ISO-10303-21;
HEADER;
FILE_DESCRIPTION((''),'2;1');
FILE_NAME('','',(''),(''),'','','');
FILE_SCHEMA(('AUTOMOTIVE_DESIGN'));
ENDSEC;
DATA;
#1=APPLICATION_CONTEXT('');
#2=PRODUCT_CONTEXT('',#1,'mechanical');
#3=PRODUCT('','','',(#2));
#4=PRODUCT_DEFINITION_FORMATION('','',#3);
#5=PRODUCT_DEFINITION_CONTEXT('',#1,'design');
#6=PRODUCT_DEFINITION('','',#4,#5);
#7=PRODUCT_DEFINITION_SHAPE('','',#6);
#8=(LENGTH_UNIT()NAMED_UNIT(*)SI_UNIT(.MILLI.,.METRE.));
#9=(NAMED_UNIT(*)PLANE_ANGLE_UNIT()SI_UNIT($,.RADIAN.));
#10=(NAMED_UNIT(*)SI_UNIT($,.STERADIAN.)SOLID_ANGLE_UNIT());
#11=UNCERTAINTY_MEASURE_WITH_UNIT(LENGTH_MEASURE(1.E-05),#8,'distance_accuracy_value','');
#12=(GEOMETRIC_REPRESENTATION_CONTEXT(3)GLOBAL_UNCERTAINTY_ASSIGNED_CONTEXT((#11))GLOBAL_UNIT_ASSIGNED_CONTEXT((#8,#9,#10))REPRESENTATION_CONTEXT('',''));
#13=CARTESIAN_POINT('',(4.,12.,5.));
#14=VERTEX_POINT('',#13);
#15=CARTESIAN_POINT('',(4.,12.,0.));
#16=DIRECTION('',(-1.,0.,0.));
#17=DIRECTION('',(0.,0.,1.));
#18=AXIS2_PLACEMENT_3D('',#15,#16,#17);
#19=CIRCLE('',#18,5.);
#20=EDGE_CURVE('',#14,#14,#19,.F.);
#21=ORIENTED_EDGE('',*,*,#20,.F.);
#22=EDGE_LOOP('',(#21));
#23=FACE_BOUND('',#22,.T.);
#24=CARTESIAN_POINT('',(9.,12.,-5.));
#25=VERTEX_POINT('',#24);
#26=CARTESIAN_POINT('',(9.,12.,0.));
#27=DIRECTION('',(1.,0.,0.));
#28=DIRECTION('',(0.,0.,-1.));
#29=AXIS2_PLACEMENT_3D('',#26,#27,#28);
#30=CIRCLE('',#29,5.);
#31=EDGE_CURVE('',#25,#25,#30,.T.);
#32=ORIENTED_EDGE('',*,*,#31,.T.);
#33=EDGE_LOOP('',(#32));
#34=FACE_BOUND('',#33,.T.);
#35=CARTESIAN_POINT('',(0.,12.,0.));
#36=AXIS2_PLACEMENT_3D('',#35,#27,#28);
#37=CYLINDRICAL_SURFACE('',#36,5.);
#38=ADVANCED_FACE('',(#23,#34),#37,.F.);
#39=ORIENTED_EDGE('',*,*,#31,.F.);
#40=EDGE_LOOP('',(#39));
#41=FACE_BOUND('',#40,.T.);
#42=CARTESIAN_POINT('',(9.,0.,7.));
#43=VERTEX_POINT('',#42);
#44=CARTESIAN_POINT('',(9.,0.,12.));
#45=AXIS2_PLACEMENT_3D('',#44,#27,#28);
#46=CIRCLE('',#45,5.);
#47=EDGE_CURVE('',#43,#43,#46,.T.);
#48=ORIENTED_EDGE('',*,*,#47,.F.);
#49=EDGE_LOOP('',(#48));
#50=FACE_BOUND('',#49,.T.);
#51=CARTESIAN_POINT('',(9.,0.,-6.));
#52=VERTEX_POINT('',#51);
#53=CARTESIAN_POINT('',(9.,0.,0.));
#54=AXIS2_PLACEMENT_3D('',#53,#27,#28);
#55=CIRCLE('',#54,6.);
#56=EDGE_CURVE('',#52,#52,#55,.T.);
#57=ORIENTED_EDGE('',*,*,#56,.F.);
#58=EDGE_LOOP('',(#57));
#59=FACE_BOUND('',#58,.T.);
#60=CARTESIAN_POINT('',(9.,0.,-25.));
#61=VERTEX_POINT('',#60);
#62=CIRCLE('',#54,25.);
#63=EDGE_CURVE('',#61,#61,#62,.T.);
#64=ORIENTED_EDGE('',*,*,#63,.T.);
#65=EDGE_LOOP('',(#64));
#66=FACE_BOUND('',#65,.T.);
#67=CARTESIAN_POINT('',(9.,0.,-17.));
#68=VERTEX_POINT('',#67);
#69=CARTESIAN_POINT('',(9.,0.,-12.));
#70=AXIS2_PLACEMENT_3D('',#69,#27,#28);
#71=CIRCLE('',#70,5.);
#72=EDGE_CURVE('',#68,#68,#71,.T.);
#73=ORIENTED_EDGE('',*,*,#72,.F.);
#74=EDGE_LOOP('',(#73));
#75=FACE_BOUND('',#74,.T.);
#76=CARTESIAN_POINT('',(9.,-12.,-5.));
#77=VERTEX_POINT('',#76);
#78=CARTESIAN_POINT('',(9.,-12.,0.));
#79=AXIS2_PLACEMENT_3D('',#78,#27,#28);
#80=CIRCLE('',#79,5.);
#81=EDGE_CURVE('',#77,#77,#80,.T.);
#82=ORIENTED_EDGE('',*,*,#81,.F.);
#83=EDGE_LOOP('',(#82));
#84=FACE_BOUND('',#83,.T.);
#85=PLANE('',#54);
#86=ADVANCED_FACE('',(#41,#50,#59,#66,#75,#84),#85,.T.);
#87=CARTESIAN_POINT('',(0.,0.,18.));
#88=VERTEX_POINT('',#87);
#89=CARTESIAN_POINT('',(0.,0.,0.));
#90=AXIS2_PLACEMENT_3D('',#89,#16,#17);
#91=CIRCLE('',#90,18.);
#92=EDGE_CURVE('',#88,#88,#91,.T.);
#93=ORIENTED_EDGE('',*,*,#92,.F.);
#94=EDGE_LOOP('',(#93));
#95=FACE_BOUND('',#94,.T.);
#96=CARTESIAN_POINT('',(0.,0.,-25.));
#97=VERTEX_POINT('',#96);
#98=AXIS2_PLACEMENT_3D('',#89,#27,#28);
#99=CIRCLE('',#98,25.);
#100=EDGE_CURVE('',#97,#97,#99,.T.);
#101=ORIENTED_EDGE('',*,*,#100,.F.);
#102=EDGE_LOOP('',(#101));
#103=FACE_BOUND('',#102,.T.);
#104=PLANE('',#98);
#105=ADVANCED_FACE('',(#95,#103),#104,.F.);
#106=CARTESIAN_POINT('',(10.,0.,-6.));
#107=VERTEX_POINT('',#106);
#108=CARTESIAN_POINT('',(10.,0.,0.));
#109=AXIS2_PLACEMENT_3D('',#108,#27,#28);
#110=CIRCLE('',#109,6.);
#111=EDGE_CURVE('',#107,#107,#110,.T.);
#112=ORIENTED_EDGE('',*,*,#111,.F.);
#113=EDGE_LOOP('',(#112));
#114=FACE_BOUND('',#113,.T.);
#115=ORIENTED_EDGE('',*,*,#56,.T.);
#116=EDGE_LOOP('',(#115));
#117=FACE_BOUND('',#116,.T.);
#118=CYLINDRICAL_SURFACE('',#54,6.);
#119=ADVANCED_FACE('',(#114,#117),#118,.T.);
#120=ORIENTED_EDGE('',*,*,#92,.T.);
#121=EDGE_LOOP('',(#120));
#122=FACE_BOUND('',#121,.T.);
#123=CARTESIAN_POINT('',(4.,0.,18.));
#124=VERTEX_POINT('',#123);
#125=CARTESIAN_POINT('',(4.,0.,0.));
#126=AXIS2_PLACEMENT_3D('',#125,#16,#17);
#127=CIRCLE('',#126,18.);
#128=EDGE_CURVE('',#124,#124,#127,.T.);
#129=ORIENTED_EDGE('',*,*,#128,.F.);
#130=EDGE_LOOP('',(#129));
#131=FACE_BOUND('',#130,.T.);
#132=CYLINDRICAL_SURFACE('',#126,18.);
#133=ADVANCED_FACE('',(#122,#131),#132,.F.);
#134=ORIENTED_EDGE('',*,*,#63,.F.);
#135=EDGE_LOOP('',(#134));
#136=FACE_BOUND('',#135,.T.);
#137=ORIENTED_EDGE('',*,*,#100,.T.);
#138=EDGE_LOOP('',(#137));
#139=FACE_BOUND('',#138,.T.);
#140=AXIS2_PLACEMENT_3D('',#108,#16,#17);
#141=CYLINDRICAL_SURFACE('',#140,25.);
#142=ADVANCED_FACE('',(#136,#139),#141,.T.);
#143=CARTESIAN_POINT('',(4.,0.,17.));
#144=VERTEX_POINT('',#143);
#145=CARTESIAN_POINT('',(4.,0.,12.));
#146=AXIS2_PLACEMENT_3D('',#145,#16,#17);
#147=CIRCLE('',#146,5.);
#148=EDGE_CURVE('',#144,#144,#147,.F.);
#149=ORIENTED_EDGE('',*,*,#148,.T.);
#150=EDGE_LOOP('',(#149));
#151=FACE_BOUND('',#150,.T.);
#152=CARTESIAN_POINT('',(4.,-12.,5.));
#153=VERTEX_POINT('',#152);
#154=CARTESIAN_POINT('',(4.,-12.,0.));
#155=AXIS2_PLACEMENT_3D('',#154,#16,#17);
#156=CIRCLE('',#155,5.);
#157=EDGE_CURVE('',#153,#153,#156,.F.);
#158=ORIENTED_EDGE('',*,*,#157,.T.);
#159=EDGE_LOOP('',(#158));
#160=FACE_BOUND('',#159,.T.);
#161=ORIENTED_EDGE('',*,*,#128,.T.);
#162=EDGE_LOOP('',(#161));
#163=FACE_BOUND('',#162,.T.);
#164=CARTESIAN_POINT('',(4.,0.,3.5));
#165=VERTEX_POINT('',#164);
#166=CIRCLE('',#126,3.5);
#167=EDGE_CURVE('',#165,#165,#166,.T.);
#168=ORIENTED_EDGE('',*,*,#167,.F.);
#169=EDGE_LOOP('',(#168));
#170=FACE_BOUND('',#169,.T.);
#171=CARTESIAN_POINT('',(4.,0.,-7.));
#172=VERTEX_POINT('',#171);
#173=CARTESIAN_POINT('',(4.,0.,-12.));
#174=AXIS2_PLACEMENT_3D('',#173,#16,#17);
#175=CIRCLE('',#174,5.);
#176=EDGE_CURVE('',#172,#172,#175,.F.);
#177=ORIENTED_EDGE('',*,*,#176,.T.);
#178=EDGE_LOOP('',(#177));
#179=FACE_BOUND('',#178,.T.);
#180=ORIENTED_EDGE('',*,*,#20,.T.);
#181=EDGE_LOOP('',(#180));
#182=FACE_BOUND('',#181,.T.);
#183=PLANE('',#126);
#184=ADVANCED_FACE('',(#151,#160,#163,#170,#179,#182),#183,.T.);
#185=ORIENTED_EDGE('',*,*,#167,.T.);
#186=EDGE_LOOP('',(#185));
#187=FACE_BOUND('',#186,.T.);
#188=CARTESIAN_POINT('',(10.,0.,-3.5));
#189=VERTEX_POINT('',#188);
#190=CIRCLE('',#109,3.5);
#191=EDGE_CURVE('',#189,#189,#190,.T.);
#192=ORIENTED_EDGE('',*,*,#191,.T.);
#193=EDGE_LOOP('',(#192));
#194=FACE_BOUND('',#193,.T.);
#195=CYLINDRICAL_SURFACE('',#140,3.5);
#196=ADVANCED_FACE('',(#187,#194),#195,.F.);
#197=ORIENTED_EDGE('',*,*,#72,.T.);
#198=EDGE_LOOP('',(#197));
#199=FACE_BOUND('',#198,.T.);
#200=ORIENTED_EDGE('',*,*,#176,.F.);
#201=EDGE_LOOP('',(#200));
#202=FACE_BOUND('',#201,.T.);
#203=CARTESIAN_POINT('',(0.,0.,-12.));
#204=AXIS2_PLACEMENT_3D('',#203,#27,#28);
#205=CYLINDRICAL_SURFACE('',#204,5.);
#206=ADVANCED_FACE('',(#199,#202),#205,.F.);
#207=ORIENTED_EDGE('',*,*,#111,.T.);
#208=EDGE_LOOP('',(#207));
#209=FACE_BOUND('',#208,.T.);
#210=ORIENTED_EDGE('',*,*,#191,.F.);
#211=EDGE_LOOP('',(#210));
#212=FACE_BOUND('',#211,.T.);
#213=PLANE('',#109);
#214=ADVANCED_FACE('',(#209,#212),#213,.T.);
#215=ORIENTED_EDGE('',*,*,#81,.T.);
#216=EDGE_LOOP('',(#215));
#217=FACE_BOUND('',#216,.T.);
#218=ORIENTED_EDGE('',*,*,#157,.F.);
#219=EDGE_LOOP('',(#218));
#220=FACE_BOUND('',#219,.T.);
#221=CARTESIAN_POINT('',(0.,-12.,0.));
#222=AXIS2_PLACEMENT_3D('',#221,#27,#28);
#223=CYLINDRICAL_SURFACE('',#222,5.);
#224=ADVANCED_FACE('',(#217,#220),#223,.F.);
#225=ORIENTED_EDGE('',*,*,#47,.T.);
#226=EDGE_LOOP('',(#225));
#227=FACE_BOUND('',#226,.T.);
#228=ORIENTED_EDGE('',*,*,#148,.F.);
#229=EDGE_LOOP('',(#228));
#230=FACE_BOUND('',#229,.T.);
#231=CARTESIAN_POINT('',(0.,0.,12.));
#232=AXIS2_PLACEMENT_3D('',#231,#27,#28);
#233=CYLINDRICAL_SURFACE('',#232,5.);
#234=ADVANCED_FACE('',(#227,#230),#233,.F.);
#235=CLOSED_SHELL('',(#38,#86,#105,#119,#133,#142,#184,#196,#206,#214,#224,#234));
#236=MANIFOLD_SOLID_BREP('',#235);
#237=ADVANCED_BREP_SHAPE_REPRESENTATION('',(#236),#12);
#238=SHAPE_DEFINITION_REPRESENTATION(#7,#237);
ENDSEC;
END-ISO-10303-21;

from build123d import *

# Parameters (mm, degrees)
SKETCH1_R           = 25
SKETCH1_R_2         = 3.5
BOSS_EXTRUDE1_DEPTH = 10
CUT_EXTRUDE2_START  = -1
SKETCH2_R           = 25
SKETCH2_R_2         = 6
CUT_EXTRUDE2_DEPTH  = 1
SKETCH3_R           = 5
CUT_EXTRUDE3_DEPTH  = 37.482872694
SKETCH4_R           = 18
CUT_EXTRUDE4_DEPTH  = 4


with BuildPart() as part:
    # Sketch1 → Boss-Extrude1 (new body)
    with BuildSketch(Plane(origin=(0, 0, 0), x_dir=(0, 0, -1), z_dir=(1, 0, 0))):
        Circle(SKETCH1_R)
        Circle(SKETCH1_R_2, mode=Mode.SUBTRACT)
    extrude(amount=BOSS_EXTRUDE1_DEPTH)

    # Sketch2 → Cut-Extrude2 (cut)
    with BuildSketch(Plane(origin=(10, 0, 0), x_dir=(0, 0, -1), z_dir=(1, 0, 0)).offset(CUT_EXTRUDE2_START)):
        Circle(SKETCH2_R)
        Circle(SKETCH2_R_2, mode=Mode.SUBTRACT)
    extrude(amount=CUT_EXTRUDE2_DEPTH, mode=Mode.SUBTRACT)

    # Sketch3 → Cut-Extrude3 (cut, through all)
    with BuildSketch(Plane(origin=(9, 0, 0), x_dir=(0, 0, -1), z_dir=(1, 0, 0))):
        with Locations((0, 12)):
            Circle(SKETCH3_R)
        with Locations((12, 0)):
            Circle(SKETCH3_R)
        with Locations((0, -12)):
            Circle(SKETCH3_R)
        with Locations((-12, 0)):
            Circle(SKETCH3_R)
    extrude(amount=-CUT_EXTRUDE3_DEPTH, mode=Mode.SUBTRACT)

    # Sketch4 → Cut-Extrude4 (cut)
    with BuildSketch(Plane.ZY):
        Circle(SKETCH4_R)
    extrude(amount=-CUT_EXTRUDE4_DEPTH, mode=Mode.SUBTRACT)


solid = part.part
